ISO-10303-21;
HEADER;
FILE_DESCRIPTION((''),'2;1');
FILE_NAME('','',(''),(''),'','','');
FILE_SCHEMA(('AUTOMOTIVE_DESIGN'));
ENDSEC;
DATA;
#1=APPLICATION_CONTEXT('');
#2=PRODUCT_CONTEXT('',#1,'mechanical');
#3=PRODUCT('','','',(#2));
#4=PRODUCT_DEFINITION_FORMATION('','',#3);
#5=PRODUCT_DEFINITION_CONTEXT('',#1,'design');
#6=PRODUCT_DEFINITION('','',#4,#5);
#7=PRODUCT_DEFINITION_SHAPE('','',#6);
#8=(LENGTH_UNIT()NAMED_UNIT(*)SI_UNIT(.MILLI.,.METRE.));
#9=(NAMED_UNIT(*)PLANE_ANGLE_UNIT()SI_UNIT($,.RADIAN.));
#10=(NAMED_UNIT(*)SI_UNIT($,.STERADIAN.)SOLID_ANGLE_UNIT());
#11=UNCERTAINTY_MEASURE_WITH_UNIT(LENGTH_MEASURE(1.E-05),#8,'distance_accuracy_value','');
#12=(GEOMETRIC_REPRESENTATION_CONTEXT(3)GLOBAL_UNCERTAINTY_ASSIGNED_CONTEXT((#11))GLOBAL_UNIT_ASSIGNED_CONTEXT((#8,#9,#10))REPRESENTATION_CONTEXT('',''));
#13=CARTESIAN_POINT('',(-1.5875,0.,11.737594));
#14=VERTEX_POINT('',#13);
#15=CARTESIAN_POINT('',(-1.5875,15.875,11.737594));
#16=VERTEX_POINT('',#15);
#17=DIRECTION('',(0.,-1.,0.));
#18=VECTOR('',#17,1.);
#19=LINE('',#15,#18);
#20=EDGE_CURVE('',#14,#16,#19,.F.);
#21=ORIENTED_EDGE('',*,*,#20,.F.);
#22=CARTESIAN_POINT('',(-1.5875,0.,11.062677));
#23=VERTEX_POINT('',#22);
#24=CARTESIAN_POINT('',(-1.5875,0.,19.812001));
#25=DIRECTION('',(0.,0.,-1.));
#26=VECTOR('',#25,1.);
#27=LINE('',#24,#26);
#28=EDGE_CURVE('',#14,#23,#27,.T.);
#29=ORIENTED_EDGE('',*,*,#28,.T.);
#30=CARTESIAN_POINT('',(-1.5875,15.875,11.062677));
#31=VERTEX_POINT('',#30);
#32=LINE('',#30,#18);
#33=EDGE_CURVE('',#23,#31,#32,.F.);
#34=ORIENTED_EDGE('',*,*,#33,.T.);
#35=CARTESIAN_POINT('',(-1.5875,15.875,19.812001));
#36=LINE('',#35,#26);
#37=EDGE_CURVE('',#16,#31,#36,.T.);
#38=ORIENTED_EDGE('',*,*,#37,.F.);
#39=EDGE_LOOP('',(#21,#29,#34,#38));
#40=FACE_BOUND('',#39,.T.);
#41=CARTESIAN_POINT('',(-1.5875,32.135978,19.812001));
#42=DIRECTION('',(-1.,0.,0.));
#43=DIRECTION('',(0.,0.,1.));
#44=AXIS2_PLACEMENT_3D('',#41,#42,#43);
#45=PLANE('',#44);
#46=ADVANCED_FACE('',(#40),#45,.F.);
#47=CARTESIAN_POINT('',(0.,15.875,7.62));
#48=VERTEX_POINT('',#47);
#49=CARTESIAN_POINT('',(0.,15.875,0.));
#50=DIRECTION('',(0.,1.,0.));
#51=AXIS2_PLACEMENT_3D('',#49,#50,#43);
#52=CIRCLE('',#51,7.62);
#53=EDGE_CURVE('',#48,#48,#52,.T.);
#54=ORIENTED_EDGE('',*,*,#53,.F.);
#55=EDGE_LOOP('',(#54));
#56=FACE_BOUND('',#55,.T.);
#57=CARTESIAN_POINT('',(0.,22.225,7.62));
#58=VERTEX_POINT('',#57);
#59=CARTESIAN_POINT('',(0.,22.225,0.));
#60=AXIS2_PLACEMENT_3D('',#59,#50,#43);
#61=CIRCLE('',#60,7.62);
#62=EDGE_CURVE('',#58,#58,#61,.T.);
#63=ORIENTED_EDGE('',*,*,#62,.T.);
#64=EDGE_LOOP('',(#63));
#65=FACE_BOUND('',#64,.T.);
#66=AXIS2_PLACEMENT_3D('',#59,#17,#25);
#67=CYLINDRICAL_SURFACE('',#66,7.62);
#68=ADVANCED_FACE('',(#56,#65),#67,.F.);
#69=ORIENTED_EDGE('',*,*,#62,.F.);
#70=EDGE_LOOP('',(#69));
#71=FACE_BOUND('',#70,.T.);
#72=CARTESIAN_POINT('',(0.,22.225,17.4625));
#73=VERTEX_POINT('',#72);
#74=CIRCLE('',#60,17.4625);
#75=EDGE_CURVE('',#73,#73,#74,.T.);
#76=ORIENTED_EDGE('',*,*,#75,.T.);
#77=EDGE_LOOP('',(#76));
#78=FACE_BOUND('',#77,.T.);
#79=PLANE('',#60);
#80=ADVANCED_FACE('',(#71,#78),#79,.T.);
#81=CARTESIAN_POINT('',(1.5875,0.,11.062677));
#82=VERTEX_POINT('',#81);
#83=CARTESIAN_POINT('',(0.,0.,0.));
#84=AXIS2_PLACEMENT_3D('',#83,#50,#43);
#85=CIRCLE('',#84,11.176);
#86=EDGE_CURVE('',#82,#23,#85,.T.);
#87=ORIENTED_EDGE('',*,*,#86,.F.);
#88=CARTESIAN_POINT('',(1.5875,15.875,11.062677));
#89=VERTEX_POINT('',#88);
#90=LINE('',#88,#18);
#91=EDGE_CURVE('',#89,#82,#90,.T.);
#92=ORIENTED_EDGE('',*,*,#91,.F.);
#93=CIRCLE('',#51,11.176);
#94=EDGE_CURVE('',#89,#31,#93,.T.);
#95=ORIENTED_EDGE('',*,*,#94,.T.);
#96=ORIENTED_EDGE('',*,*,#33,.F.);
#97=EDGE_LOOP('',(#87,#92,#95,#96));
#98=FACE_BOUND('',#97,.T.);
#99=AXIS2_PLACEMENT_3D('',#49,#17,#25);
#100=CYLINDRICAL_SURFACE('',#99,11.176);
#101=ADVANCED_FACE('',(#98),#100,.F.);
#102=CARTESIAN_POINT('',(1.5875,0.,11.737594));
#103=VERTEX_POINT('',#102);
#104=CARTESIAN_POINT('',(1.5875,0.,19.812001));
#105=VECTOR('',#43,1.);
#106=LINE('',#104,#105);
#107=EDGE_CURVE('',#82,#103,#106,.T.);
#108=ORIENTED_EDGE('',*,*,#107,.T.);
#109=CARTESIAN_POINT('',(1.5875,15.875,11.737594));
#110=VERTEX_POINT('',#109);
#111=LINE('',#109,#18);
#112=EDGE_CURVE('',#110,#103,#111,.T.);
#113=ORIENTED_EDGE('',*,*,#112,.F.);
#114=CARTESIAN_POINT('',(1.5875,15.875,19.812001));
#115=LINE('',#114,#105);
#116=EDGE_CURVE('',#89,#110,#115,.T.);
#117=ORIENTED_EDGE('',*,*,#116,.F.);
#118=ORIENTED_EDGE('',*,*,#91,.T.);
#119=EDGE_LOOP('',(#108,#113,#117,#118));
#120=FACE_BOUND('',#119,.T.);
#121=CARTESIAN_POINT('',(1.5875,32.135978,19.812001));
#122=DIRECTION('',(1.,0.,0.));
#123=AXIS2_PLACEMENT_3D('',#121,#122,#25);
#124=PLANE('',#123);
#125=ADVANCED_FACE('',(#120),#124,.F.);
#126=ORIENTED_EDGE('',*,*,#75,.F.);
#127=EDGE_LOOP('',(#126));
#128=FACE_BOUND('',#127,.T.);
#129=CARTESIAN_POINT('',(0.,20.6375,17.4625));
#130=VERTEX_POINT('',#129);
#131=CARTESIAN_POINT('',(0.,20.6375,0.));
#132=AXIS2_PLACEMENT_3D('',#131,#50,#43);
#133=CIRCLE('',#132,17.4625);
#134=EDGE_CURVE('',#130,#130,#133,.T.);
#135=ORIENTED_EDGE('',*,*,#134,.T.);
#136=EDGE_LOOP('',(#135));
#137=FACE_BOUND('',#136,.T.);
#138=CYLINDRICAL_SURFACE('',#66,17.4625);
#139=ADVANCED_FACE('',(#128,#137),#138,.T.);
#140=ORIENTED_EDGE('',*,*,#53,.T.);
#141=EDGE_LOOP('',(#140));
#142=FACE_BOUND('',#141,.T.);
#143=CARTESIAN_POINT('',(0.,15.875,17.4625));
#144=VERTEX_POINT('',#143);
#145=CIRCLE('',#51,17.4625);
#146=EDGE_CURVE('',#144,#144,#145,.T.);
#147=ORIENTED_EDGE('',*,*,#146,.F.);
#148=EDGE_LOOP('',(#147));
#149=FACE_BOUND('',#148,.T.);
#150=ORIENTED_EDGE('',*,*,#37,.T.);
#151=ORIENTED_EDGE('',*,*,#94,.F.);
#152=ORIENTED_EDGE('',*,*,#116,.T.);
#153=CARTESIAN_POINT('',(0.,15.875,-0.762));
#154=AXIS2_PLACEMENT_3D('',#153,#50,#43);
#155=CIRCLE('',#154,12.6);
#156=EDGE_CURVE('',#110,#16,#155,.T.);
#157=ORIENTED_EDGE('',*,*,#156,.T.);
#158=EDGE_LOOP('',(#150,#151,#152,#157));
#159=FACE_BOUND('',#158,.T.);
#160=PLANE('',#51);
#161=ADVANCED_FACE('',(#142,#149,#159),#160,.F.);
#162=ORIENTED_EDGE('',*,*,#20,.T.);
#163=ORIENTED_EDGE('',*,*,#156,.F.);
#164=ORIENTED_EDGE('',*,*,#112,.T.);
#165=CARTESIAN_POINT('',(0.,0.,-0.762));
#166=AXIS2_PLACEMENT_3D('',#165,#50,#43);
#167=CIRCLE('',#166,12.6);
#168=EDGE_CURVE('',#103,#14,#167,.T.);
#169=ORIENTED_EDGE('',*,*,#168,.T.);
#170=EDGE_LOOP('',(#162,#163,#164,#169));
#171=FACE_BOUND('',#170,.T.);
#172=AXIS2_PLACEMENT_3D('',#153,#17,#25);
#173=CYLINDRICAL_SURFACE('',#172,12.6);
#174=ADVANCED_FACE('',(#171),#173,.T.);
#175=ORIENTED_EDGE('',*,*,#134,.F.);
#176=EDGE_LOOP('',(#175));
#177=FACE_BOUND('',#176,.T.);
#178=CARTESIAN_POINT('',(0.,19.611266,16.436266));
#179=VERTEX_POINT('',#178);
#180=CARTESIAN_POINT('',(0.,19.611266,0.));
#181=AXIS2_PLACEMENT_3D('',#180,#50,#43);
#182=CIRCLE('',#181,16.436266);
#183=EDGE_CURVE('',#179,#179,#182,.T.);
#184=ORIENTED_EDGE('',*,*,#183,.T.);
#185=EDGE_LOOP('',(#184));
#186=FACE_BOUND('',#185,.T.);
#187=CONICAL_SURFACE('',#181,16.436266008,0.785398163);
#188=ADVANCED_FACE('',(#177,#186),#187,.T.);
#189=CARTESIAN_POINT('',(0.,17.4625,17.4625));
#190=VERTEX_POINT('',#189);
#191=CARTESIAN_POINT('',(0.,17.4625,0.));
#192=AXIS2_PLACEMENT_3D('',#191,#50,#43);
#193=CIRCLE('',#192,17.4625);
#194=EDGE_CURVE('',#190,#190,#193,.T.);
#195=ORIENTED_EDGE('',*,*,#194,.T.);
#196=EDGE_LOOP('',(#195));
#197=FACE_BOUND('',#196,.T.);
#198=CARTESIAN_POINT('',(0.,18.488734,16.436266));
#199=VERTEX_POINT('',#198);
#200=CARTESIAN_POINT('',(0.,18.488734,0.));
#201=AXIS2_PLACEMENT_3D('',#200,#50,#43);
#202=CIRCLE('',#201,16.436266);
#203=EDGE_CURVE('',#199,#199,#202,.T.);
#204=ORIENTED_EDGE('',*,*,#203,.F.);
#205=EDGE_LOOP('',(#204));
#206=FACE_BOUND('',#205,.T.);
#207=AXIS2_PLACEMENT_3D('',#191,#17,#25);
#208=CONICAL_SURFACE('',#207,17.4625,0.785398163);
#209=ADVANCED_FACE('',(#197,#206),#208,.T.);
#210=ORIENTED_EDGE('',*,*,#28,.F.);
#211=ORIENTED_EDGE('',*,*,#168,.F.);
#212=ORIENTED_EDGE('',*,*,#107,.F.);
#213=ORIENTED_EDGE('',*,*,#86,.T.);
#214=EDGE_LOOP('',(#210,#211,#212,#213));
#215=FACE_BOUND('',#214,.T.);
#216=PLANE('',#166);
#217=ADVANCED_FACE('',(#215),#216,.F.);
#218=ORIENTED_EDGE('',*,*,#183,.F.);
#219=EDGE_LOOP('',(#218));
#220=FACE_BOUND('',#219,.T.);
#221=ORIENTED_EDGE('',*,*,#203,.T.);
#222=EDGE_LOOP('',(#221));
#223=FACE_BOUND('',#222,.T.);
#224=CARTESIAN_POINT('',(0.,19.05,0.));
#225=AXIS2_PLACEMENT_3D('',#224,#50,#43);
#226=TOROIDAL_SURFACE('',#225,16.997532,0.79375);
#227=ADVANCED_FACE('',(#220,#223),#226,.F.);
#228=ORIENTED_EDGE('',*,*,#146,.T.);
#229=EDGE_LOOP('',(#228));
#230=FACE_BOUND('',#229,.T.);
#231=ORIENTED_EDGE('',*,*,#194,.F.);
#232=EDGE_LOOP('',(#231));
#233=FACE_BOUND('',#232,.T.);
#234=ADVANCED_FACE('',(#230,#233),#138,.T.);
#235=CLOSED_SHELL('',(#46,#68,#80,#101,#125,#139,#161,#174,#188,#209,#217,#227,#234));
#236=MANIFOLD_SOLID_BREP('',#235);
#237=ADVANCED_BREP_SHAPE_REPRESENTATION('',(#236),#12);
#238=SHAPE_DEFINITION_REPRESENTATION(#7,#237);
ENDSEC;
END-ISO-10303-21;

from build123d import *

# Parameters (mm, degrees)
SKETCH1_R           = 12.6
SKETCH1_R_2         = 11.176
BOSS_EXTRUDE1_DEPTH = 15.875
SKETCH2_R           = 17.4625
SKETCH2_R_2         = 7.62
BOSS_EXTRUDE2_DEPTH = 6.35
SKETCH4_W           = 3.175
SKETCH4_H           = 15.94800196
CUT_EXTRUDE1_DEPTH  = 15.875


with BuildPart() as part:
    # Sketch1 → Boss-Extrude1 (new body)
    with BuildSketch(Plane(origin=(0, 0, 0), x_dir=(1, 0, 0), z_dir=(0, 1, 0))):
        with Locations(Location((0, 0.762, 0), (0, 0, 270))):
            Circle(SKETCH1_R)
        with Locations(Location((0, 0, 0), (0, 0, 270))):
            Circle(SKETCH1_R_2, mode=Mode.SUBTRACT)
    extrude(amount=BOSS_EXTRUDE1_DEPTH)

    # Sketch2 → Boss-Extrude2 (add)
    with BuildSketch(Plane(origin=(0, 15.875, 0), x_dir=(1, 0, 0), z_dir=(0, 1, 0))):
        with Locations(Location((0, 0, 0), (0, 0, 270))):
            Circle(SKETCH2_R)
        with Locations(Location((0, 0, 0), (0, 0, 270))):
            Circle(SKETCH2_R_2, mode=Mode.SUBTRACT)
    extrude(amount=BOSS_EXTRUDE2_DEPTH)

    # Sketch3 → Cut-Revolve1 (revolve, cut)
    with BuildSketch(Plane.XY, mode=Mode.PRIVATE) as cut_revolve1_sk:
        with BuildLine():
            Line((-17.4625, 20.6375), (-16.436266008, 19.611266008))
            ThreePointArc((-16.436266008, 19.611266008), (-16.203782015, 19.05), (-16.436266008, 18.488733992))
            Line((-16.436266008, 18.488733992), (-17.4625, 17.4625))
            Line((-17.4625, 17.4625), (-17.4625, 20.6375))
        make_face()
    revolve(cut_revolve1_sk.sketch.rotate(Axis((0, 22.225, 0), (0, -1, 0)), 270), axis=Axis((0, 22.225, 0), (0, -1, 0)), mode=Mode.SUBTRACT)

    # Sketch4 → Cut-Extrude1 (cut)
    with BuildSketch(Plane.XZ):
        with Locations((0, 11.838)):
            Rectangle(SKETCH4_W, SKETCH4_H)
    extrude(amount=-CUT_EXTRUDE1_DEPTH, mode=Mode.SUBTRACT)


solid = part.part
